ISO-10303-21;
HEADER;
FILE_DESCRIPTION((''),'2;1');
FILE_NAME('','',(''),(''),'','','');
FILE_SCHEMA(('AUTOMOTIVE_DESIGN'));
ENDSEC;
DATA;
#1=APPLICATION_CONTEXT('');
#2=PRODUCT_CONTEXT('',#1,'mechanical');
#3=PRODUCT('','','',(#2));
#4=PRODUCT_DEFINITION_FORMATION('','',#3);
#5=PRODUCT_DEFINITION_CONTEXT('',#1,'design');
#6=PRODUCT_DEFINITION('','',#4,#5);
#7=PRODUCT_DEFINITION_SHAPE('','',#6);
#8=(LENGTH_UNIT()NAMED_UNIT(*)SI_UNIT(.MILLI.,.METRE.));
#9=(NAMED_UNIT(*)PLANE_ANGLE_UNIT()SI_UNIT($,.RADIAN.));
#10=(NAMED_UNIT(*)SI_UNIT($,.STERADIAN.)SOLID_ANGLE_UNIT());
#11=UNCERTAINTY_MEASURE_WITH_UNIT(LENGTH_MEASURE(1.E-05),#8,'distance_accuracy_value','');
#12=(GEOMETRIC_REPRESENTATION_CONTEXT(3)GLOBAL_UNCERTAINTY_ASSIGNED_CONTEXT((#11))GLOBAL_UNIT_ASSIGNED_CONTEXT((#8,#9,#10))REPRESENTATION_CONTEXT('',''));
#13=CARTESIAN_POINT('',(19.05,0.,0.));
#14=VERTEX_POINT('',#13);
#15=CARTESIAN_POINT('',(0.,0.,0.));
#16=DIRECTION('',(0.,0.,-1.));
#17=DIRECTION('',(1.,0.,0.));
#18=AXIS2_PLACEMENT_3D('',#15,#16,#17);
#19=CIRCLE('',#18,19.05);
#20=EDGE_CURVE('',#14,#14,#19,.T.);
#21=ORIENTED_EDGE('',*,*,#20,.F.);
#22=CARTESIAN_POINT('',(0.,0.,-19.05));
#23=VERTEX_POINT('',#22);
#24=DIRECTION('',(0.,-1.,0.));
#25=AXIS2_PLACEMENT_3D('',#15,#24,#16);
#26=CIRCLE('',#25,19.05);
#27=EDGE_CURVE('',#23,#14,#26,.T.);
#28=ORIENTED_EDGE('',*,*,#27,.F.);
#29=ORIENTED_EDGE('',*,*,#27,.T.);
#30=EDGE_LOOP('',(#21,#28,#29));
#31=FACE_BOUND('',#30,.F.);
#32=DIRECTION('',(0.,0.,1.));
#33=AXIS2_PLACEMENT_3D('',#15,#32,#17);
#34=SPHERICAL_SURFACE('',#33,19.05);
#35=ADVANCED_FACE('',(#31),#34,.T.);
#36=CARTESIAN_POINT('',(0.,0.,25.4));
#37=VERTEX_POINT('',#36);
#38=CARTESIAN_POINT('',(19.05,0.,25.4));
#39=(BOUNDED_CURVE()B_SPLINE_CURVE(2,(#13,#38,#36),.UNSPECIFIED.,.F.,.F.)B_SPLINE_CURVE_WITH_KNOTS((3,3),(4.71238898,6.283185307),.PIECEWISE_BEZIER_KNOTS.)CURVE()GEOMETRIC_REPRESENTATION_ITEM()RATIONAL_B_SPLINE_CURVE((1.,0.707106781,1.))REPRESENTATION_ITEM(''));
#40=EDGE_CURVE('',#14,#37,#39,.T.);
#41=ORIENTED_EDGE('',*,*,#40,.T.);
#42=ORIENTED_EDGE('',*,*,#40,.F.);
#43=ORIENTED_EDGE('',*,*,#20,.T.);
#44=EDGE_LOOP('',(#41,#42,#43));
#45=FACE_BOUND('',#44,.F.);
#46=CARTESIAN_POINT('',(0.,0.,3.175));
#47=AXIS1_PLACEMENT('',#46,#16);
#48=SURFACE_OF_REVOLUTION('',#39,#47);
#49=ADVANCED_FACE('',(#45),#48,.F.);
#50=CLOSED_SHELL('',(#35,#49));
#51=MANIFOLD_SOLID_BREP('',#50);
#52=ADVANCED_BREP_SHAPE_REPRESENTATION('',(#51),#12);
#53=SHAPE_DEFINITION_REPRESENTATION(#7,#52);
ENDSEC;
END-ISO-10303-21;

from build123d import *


with BuildPart() as f1:
    # F0 (on Front) → F1 (revolve)
    with BuildSketch(Plane.XZ):
        with BuildLine():
            Line((0, 25.4), (0, -19.05))
            ThreePointArc((0, -19.05), (13.4703841816, -13.4703841816), (19.05, 0))
            add(Edge.make_bspline(
                [(19.05, 0), (19.05, 25.4), (0, 25.4)],
                knots=[4.7123889804, 4.7123889804, 4.7123889804, 6.2831853072, 6.2831853072, 6.2831853072], degree=2, weights=[1, 0.7071067812, 1]))
        make_face()
    revolve(axis=Axis((0, 0, 3.175), (0, 0, -1)))


solid = f1.part
